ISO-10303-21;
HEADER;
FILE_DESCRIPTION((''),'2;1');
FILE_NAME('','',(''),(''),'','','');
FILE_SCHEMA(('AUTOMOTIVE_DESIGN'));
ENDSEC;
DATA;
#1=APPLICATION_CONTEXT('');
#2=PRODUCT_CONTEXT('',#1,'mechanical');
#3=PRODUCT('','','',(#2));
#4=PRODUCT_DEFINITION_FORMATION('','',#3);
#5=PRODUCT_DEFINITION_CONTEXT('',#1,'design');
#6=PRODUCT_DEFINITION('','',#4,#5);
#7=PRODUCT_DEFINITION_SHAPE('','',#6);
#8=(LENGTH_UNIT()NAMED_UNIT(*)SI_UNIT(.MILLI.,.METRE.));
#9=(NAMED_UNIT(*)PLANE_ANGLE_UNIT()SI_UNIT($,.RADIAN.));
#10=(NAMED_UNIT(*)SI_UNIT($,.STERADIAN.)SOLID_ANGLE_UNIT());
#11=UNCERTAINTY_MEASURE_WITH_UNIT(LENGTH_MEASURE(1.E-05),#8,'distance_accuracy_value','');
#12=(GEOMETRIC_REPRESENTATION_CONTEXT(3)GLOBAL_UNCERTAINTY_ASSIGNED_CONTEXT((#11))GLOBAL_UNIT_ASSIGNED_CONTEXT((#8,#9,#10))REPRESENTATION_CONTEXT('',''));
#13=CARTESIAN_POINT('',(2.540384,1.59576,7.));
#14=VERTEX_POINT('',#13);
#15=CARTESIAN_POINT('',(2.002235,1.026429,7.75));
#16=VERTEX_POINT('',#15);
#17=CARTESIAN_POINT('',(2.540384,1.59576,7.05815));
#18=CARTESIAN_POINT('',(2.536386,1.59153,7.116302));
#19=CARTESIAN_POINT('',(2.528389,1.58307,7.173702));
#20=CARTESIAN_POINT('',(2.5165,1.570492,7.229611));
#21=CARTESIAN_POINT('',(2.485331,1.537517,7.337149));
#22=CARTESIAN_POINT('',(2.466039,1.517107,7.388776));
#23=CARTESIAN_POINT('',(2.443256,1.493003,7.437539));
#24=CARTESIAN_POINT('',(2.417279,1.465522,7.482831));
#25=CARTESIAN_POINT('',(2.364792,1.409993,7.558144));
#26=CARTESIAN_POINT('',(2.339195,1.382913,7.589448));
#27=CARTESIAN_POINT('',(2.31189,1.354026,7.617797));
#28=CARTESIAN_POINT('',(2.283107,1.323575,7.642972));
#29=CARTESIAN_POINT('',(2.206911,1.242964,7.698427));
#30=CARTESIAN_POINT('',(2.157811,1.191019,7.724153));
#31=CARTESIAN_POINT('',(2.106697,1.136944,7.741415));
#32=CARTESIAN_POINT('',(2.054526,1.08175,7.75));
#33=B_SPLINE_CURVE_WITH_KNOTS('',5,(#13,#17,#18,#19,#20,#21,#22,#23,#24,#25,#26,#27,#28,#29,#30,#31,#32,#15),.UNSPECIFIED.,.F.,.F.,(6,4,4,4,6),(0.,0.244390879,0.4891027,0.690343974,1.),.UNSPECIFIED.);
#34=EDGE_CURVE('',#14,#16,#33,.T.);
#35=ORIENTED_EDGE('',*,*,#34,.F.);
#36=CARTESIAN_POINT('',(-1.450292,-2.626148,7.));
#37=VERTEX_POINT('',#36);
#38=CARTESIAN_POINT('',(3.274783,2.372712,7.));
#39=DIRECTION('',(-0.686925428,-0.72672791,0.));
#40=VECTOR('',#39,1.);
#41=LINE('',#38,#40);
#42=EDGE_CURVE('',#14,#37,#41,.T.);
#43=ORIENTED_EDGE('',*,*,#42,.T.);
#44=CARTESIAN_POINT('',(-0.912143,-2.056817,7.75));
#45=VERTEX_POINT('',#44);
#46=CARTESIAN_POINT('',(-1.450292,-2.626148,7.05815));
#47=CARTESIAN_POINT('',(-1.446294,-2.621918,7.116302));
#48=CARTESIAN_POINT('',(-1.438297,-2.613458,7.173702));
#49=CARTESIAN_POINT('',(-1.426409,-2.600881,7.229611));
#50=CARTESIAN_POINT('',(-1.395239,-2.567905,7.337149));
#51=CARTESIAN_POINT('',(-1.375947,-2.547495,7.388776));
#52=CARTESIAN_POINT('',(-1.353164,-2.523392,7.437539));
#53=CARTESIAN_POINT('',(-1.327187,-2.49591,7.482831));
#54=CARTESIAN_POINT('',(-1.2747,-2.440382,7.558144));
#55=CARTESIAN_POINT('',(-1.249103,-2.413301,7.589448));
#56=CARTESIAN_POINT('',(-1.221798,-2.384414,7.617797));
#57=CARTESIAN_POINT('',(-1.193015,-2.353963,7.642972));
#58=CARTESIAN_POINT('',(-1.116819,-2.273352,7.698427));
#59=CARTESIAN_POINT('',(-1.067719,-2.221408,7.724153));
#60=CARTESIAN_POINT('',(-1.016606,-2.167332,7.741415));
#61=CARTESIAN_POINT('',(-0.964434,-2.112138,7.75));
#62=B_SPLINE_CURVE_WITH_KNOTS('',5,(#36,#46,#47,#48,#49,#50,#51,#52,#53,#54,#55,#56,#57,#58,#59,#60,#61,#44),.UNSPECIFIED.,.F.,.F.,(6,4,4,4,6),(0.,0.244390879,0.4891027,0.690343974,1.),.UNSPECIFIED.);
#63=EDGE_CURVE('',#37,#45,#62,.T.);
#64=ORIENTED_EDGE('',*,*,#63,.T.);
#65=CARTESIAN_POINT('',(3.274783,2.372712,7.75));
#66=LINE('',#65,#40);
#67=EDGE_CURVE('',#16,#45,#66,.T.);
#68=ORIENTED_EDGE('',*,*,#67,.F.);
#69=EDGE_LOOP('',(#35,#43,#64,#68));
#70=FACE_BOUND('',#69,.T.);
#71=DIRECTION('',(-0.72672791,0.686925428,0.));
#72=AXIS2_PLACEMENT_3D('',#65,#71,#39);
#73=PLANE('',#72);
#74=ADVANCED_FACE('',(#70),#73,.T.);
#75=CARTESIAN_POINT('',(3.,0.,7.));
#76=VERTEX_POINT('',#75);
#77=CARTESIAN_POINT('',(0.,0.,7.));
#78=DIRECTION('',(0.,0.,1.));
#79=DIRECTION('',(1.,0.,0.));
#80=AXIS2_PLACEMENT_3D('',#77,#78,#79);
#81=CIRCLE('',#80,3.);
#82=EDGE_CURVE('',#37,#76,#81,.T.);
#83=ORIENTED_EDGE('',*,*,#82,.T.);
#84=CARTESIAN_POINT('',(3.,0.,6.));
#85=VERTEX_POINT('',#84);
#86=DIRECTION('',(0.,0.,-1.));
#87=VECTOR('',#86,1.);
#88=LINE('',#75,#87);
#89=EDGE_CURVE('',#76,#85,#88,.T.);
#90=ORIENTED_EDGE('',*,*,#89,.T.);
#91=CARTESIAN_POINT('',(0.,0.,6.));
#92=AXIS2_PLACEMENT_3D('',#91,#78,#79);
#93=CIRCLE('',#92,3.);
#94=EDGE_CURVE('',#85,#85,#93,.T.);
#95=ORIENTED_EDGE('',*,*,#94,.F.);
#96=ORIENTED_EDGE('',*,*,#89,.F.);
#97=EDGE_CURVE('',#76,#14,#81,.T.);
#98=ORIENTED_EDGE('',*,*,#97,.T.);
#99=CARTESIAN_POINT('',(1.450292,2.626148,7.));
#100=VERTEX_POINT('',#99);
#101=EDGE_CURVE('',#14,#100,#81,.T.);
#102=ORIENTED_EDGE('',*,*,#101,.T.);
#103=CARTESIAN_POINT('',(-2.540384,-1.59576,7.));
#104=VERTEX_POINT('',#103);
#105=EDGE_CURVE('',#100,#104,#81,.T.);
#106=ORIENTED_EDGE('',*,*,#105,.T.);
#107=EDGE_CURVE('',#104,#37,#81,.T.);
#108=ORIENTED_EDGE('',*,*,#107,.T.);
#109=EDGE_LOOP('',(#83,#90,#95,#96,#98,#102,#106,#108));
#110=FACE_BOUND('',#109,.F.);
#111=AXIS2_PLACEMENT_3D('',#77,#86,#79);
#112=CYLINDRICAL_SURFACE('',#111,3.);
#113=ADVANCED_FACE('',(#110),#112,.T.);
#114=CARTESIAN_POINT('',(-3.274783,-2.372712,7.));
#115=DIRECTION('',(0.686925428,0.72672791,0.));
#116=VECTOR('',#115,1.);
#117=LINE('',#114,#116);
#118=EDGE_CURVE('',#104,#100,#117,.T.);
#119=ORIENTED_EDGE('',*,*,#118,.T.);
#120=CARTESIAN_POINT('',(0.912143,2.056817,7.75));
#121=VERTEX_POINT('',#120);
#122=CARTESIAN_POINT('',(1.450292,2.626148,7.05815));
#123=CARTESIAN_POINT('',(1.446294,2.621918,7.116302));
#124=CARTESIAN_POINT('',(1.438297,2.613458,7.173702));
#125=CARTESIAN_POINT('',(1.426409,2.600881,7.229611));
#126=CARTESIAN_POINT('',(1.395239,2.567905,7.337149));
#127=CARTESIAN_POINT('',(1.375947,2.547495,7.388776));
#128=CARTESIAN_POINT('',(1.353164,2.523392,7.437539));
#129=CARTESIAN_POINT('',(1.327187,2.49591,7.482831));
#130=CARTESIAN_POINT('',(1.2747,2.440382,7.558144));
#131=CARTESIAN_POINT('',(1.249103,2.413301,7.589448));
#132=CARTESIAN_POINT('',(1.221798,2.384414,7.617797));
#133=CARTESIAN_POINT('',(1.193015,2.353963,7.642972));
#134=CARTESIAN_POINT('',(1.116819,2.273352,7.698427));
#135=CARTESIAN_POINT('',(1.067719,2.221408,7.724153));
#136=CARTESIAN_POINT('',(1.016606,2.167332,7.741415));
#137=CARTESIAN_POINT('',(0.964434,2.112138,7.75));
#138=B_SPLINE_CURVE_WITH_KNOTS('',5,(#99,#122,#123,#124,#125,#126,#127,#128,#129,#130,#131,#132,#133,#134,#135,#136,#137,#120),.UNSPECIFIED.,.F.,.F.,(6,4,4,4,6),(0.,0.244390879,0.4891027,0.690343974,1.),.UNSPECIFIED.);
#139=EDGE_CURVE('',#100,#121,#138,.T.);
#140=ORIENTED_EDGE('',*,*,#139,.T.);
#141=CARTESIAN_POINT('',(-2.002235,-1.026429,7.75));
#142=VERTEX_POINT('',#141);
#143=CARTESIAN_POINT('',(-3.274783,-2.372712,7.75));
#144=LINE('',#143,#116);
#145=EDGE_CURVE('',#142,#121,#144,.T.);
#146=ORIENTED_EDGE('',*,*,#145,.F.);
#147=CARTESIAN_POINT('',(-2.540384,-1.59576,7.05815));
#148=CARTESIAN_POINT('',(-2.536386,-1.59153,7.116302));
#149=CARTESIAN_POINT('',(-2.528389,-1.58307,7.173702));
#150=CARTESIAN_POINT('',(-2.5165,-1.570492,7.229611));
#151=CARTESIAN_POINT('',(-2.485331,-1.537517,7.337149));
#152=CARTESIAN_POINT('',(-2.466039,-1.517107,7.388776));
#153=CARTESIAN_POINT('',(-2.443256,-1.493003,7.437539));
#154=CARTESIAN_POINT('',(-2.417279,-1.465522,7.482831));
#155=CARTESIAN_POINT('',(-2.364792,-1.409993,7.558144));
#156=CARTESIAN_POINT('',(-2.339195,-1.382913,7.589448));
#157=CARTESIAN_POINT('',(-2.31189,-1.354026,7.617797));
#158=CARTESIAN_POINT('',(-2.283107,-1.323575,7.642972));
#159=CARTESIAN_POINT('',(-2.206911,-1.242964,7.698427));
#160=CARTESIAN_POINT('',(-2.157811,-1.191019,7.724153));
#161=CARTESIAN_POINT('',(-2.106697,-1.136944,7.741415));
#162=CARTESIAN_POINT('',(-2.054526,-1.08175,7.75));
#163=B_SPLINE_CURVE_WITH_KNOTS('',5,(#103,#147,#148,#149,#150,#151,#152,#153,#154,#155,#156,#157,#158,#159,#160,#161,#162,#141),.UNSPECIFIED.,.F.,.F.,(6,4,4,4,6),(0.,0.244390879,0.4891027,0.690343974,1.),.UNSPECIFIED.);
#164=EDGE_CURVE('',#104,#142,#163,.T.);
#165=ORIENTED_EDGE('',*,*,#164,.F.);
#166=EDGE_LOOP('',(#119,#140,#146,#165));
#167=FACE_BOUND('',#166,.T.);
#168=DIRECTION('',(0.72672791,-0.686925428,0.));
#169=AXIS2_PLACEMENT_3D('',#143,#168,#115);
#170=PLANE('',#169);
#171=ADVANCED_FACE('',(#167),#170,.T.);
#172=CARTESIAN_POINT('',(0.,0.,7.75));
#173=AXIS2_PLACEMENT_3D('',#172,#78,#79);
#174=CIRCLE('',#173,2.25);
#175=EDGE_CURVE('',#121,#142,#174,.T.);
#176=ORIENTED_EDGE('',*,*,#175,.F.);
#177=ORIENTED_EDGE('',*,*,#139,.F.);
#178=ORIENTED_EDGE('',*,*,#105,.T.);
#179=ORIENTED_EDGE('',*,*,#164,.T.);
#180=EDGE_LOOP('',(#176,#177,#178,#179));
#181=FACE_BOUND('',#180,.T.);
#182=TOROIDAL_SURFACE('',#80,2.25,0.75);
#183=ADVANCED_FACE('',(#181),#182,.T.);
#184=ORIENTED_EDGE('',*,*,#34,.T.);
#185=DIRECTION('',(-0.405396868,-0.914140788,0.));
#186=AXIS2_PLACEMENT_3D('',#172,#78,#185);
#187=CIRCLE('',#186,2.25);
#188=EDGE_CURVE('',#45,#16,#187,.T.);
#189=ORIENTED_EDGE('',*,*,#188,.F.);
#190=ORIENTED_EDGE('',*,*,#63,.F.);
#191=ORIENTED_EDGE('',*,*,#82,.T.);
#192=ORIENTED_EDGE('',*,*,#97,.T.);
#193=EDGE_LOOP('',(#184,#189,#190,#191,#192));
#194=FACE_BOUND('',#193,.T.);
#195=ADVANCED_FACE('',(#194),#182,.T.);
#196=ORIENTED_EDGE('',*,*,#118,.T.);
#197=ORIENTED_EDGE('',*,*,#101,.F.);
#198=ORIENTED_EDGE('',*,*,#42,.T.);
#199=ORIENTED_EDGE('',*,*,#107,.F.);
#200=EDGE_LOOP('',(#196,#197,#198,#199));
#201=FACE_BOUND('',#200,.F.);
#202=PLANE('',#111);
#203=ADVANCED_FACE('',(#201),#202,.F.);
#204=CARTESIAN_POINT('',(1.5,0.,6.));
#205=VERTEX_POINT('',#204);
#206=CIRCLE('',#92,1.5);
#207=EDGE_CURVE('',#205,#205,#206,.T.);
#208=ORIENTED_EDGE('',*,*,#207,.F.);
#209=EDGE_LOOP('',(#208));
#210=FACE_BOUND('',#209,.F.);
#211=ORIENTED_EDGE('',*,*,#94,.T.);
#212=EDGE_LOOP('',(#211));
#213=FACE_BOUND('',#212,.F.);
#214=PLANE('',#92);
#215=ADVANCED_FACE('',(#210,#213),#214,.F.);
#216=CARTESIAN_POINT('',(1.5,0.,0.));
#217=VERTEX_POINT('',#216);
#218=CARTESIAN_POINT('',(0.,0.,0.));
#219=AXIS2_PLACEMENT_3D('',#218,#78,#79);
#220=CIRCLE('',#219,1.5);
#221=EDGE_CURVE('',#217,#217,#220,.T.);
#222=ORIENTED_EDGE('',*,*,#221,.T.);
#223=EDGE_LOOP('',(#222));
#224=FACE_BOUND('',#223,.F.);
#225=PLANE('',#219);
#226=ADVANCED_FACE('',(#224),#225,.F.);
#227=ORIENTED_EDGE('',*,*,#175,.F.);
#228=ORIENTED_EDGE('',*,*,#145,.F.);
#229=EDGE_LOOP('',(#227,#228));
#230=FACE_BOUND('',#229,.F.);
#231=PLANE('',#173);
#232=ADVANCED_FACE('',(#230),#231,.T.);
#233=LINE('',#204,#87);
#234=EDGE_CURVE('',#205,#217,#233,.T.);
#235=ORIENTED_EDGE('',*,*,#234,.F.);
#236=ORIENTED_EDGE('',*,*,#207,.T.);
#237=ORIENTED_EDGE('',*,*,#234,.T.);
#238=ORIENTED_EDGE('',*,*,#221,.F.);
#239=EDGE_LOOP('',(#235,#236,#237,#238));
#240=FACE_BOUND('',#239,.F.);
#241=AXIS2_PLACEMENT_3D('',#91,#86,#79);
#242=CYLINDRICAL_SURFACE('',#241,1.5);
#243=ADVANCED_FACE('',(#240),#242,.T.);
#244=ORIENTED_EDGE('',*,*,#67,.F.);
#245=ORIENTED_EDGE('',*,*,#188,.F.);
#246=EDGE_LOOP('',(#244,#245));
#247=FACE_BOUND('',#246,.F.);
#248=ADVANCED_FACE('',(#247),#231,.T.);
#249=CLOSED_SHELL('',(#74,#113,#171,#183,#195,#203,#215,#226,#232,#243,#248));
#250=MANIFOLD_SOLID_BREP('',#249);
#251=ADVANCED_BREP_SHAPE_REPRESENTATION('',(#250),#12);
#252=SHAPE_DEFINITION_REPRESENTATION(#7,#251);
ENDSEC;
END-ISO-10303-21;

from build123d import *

# Parameters (mm, degrees)
POCKET_DEPTH = 0.75


with BuildPart() as part:
    # Sketch → Revolution (revolve)
    with BuildSketch(Plane.XZ):
        with BuildLine():
            Line((0, 0), (0, 7.75))
            Line((0, 7.75), (2.25, 7.75))
            ThreePointArc((3, 7), (2.78033, 7.53033), (2.25, 7.75))
            Line((3, 7), (3, 6))
            Line((3, 6), (1.5, 6))
            Line((1.5, 6), (1.5, 0))
            Line((1.5, 0), (0, 0))
        make_face()
    revolve(axis=Axis((0, 0, 0), (0, 0, 1)))

    # Sketch001 (on Face5 of Revolution) → Pocket (cut)
    with BuildSketch(Plane(origin=(0, 0, 7.75), x_dir=(-1, 0, 0), z_dir=(0, 0, 1))):
        Polygon((-3.274783, -2.372712), (2.184691, 3.4031), (3.274783, 2.372712), (-2.184691, -3.4031), align=None)
    extrude(amount=-POCKET_DEPTH, mode=Mode.SUBTRACT)


solid = part.part
